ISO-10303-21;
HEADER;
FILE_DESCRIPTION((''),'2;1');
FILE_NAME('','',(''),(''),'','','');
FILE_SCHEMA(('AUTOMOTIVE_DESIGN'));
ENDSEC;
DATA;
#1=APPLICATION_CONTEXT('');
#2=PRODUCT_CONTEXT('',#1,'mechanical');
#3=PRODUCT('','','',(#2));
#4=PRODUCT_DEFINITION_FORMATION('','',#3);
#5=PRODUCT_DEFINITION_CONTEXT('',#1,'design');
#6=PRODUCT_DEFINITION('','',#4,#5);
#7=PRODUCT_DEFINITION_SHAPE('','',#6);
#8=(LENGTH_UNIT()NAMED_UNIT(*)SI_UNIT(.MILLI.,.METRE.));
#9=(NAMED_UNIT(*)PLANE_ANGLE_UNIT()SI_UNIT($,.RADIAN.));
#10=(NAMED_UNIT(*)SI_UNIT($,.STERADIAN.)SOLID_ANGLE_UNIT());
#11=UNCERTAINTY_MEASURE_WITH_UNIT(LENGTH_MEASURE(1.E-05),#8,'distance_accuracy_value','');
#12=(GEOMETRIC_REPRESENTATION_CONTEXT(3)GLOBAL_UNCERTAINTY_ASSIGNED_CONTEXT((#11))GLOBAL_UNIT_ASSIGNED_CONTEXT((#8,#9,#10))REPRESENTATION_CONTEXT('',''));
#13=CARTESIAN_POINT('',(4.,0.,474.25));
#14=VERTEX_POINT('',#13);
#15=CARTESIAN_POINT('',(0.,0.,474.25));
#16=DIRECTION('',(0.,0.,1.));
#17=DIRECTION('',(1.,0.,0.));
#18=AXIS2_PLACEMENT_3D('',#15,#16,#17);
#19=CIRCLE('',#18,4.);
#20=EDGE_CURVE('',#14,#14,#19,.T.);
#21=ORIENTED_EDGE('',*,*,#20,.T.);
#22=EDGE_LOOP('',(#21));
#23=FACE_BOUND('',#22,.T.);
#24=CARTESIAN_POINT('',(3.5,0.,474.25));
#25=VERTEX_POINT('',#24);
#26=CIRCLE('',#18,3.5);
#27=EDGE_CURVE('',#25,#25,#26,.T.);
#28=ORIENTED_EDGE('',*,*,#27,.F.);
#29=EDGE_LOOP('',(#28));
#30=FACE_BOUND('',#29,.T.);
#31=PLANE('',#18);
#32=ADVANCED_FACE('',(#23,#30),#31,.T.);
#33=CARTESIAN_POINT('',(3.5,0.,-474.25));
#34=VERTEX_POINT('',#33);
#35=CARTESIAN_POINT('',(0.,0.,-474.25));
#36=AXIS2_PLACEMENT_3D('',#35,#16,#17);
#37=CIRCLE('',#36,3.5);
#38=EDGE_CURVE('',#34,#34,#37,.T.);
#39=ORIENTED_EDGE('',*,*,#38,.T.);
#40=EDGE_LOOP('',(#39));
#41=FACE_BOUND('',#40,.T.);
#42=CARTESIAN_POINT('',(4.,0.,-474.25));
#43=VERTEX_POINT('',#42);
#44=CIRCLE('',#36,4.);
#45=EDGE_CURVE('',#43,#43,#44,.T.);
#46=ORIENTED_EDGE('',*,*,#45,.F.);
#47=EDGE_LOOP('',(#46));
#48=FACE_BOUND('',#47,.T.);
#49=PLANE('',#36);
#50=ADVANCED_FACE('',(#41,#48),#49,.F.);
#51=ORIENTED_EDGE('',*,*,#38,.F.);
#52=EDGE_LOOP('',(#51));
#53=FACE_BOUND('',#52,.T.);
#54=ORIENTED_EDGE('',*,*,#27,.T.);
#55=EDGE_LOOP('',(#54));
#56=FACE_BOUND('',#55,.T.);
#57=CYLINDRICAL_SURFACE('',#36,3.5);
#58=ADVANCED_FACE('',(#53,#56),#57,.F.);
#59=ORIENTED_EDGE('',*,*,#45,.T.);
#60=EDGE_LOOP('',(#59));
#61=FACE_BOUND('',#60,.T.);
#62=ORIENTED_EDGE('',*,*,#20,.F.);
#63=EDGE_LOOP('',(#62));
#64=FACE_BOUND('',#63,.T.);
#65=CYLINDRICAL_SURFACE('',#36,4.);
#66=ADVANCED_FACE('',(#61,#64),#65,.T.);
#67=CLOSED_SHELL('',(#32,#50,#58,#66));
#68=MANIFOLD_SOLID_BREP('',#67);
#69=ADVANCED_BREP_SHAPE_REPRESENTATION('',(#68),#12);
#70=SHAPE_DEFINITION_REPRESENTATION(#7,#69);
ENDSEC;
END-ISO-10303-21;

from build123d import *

# Parameters (mm, degrees)
EXTRUDE_1_DEPTH      = 474.25
EXTRUDE_1_DEPTH_BACK = 474.25
SKETCH_1_R           = 4
SKETCH_1_R_2         = 3.5


with BuildPart() as part:
    # 草图1 → 凸台-拉伸1 (new, two sides: drawn at the far end of the back side and taken through both)
    with BuildSketch(Plane.XY.offset(-EXTRUDE_1_DEPTH_BACK)):
        Circle(SKETCH_1_R)
        Circle(SKETCH_1_R_2, mode=Mode.SUBTRACT)
    extrude(amount=EXTRUDE_1_DEPTH + EXTRUDE_1_DEPTH_BACK)


solid = part.part
